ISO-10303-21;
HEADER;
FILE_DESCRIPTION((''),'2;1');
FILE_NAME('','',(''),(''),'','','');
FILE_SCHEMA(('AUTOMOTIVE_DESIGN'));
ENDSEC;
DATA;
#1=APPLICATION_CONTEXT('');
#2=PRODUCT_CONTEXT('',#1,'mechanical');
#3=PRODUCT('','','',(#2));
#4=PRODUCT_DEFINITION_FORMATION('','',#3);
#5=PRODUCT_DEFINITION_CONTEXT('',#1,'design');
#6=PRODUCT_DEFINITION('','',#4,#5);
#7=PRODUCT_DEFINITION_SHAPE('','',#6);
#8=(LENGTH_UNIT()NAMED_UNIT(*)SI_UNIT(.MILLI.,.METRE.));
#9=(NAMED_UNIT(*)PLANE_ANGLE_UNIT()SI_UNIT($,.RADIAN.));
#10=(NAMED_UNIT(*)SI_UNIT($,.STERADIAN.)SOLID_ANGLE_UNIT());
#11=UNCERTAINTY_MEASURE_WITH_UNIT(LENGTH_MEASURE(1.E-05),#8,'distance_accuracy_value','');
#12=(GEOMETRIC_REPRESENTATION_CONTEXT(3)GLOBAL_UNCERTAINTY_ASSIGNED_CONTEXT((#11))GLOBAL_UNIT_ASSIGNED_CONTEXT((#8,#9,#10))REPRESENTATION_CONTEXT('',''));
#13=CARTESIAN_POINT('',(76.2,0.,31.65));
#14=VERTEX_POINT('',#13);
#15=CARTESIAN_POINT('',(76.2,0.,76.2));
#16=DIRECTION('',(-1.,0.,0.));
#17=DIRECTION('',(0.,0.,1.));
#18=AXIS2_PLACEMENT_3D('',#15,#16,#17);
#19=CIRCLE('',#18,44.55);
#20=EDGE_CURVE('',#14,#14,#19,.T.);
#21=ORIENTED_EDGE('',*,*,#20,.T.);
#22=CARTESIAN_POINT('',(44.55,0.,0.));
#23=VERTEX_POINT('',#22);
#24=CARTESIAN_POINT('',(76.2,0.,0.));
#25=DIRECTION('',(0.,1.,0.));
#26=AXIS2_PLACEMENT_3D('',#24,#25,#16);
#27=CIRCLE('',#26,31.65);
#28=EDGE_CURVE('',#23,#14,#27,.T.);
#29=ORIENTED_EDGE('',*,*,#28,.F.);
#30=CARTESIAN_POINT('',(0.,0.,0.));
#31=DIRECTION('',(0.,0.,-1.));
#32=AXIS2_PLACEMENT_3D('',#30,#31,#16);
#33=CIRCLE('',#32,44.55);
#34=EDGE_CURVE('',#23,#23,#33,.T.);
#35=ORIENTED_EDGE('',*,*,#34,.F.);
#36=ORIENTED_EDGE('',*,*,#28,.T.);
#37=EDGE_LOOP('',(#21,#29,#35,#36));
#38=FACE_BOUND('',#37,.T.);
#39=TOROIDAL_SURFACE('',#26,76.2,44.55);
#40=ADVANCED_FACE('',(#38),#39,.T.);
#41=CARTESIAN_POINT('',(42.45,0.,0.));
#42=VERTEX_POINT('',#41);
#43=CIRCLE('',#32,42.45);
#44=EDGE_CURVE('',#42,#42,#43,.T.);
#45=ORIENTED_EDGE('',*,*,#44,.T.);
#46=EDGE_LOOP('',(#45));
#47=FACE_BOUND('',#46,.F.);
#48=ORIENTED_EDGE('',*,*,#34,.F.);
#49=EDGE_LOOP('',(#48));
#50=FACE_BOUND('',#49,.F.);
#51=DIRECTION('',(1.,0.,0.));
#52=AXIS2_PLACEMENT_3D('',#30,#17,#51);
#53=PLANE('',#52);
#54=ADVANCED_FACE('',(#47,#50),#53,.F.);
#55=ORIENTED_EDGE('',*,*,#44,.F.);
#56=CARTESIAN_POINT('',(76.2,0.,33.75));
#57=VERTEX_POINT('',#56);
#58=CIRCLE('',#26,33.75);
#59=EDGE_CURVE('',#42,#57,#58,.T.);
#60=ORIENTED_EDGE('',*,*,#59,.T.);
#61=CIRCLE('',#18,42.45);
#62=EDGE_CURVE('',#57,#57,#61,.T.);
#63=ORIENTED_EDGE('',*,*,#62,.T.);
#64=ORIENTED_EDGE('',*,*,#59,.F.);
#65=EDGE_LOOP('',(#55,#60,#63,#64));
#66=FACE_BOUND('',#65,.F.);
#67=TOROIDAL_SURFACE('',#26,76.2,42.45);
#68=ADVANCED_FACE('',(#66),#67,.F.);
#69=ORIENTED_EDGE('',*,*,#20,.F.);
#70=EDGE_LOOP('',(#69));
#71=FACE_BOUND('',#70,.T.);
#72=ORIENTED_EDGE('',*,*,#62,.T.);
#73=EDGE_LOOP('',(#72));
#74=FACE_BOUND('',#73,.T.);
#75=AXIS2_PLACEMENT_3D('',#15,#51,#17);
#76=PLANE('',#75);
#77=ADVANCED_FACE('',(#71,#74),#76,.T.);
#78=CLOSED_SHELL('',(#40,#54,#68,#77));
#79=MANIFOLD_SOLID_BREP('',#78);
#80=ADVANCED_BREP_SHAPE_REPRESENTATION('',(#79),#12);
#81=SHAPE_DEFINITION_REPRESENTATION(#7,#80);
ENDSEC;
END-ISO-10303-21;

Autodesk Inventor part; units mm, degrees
ref_plane "YZ Plane" through (0, 0, 0) normal (1, 0, 0) x (0, 1, 0)
ref_plane "XZ Plane" through (0, 0, 0) normal (0, 1, 0) x (-1, 0, 0)
ref_plane "XY Plane" through (0, 0, 0) normal (0, 0, 1) x (1, 0, 0)
sketch "Sketch1" plane through (0, 0, 0) normal (0, 0, 1) x (1, 0, 0)
  circle A0 centre (0, 0) radius 42.45
  circle A1 centre (0, 0) radius 44.55
  dimension "d0" = 84.9
  dimension "d1" = 89.1
sketch "Sketch2" plane through (0, 0, 0) normal (0, 1, 0) x (-1, 0, 0)
  line L0 (0, 0) -> (0, 76.2) construction
  line L1 (0, 76.2) -> (-76.2, 76.2) construction
  arc A0 (0, 0) -> (-76.2, 76.2) centre (-76.2, 0) ccw
  dimension "d2" = 76.2
  dimension "d3" = 90
  dimension "d4" = 76.2
sweep "Sweep1" add profiles "Sketch1" path "Sketch2"
equation "\"d0\" = D - 2 * T"
equation "\"d1\" = D"
equation "\"d2\" = F1"
equation "\"d4\" = F1"
equation "\"D\" = 89.1"
equation "\"F1\" = 76.2"
equation "\"T\" = 2.1"
equation "\"Size_Designation\" = 1.2345"
properties part number "JIS B 2312 90 Deg Short Elbow Stainless Steel 80A x Sch 5S" material "Stainless Steel"
